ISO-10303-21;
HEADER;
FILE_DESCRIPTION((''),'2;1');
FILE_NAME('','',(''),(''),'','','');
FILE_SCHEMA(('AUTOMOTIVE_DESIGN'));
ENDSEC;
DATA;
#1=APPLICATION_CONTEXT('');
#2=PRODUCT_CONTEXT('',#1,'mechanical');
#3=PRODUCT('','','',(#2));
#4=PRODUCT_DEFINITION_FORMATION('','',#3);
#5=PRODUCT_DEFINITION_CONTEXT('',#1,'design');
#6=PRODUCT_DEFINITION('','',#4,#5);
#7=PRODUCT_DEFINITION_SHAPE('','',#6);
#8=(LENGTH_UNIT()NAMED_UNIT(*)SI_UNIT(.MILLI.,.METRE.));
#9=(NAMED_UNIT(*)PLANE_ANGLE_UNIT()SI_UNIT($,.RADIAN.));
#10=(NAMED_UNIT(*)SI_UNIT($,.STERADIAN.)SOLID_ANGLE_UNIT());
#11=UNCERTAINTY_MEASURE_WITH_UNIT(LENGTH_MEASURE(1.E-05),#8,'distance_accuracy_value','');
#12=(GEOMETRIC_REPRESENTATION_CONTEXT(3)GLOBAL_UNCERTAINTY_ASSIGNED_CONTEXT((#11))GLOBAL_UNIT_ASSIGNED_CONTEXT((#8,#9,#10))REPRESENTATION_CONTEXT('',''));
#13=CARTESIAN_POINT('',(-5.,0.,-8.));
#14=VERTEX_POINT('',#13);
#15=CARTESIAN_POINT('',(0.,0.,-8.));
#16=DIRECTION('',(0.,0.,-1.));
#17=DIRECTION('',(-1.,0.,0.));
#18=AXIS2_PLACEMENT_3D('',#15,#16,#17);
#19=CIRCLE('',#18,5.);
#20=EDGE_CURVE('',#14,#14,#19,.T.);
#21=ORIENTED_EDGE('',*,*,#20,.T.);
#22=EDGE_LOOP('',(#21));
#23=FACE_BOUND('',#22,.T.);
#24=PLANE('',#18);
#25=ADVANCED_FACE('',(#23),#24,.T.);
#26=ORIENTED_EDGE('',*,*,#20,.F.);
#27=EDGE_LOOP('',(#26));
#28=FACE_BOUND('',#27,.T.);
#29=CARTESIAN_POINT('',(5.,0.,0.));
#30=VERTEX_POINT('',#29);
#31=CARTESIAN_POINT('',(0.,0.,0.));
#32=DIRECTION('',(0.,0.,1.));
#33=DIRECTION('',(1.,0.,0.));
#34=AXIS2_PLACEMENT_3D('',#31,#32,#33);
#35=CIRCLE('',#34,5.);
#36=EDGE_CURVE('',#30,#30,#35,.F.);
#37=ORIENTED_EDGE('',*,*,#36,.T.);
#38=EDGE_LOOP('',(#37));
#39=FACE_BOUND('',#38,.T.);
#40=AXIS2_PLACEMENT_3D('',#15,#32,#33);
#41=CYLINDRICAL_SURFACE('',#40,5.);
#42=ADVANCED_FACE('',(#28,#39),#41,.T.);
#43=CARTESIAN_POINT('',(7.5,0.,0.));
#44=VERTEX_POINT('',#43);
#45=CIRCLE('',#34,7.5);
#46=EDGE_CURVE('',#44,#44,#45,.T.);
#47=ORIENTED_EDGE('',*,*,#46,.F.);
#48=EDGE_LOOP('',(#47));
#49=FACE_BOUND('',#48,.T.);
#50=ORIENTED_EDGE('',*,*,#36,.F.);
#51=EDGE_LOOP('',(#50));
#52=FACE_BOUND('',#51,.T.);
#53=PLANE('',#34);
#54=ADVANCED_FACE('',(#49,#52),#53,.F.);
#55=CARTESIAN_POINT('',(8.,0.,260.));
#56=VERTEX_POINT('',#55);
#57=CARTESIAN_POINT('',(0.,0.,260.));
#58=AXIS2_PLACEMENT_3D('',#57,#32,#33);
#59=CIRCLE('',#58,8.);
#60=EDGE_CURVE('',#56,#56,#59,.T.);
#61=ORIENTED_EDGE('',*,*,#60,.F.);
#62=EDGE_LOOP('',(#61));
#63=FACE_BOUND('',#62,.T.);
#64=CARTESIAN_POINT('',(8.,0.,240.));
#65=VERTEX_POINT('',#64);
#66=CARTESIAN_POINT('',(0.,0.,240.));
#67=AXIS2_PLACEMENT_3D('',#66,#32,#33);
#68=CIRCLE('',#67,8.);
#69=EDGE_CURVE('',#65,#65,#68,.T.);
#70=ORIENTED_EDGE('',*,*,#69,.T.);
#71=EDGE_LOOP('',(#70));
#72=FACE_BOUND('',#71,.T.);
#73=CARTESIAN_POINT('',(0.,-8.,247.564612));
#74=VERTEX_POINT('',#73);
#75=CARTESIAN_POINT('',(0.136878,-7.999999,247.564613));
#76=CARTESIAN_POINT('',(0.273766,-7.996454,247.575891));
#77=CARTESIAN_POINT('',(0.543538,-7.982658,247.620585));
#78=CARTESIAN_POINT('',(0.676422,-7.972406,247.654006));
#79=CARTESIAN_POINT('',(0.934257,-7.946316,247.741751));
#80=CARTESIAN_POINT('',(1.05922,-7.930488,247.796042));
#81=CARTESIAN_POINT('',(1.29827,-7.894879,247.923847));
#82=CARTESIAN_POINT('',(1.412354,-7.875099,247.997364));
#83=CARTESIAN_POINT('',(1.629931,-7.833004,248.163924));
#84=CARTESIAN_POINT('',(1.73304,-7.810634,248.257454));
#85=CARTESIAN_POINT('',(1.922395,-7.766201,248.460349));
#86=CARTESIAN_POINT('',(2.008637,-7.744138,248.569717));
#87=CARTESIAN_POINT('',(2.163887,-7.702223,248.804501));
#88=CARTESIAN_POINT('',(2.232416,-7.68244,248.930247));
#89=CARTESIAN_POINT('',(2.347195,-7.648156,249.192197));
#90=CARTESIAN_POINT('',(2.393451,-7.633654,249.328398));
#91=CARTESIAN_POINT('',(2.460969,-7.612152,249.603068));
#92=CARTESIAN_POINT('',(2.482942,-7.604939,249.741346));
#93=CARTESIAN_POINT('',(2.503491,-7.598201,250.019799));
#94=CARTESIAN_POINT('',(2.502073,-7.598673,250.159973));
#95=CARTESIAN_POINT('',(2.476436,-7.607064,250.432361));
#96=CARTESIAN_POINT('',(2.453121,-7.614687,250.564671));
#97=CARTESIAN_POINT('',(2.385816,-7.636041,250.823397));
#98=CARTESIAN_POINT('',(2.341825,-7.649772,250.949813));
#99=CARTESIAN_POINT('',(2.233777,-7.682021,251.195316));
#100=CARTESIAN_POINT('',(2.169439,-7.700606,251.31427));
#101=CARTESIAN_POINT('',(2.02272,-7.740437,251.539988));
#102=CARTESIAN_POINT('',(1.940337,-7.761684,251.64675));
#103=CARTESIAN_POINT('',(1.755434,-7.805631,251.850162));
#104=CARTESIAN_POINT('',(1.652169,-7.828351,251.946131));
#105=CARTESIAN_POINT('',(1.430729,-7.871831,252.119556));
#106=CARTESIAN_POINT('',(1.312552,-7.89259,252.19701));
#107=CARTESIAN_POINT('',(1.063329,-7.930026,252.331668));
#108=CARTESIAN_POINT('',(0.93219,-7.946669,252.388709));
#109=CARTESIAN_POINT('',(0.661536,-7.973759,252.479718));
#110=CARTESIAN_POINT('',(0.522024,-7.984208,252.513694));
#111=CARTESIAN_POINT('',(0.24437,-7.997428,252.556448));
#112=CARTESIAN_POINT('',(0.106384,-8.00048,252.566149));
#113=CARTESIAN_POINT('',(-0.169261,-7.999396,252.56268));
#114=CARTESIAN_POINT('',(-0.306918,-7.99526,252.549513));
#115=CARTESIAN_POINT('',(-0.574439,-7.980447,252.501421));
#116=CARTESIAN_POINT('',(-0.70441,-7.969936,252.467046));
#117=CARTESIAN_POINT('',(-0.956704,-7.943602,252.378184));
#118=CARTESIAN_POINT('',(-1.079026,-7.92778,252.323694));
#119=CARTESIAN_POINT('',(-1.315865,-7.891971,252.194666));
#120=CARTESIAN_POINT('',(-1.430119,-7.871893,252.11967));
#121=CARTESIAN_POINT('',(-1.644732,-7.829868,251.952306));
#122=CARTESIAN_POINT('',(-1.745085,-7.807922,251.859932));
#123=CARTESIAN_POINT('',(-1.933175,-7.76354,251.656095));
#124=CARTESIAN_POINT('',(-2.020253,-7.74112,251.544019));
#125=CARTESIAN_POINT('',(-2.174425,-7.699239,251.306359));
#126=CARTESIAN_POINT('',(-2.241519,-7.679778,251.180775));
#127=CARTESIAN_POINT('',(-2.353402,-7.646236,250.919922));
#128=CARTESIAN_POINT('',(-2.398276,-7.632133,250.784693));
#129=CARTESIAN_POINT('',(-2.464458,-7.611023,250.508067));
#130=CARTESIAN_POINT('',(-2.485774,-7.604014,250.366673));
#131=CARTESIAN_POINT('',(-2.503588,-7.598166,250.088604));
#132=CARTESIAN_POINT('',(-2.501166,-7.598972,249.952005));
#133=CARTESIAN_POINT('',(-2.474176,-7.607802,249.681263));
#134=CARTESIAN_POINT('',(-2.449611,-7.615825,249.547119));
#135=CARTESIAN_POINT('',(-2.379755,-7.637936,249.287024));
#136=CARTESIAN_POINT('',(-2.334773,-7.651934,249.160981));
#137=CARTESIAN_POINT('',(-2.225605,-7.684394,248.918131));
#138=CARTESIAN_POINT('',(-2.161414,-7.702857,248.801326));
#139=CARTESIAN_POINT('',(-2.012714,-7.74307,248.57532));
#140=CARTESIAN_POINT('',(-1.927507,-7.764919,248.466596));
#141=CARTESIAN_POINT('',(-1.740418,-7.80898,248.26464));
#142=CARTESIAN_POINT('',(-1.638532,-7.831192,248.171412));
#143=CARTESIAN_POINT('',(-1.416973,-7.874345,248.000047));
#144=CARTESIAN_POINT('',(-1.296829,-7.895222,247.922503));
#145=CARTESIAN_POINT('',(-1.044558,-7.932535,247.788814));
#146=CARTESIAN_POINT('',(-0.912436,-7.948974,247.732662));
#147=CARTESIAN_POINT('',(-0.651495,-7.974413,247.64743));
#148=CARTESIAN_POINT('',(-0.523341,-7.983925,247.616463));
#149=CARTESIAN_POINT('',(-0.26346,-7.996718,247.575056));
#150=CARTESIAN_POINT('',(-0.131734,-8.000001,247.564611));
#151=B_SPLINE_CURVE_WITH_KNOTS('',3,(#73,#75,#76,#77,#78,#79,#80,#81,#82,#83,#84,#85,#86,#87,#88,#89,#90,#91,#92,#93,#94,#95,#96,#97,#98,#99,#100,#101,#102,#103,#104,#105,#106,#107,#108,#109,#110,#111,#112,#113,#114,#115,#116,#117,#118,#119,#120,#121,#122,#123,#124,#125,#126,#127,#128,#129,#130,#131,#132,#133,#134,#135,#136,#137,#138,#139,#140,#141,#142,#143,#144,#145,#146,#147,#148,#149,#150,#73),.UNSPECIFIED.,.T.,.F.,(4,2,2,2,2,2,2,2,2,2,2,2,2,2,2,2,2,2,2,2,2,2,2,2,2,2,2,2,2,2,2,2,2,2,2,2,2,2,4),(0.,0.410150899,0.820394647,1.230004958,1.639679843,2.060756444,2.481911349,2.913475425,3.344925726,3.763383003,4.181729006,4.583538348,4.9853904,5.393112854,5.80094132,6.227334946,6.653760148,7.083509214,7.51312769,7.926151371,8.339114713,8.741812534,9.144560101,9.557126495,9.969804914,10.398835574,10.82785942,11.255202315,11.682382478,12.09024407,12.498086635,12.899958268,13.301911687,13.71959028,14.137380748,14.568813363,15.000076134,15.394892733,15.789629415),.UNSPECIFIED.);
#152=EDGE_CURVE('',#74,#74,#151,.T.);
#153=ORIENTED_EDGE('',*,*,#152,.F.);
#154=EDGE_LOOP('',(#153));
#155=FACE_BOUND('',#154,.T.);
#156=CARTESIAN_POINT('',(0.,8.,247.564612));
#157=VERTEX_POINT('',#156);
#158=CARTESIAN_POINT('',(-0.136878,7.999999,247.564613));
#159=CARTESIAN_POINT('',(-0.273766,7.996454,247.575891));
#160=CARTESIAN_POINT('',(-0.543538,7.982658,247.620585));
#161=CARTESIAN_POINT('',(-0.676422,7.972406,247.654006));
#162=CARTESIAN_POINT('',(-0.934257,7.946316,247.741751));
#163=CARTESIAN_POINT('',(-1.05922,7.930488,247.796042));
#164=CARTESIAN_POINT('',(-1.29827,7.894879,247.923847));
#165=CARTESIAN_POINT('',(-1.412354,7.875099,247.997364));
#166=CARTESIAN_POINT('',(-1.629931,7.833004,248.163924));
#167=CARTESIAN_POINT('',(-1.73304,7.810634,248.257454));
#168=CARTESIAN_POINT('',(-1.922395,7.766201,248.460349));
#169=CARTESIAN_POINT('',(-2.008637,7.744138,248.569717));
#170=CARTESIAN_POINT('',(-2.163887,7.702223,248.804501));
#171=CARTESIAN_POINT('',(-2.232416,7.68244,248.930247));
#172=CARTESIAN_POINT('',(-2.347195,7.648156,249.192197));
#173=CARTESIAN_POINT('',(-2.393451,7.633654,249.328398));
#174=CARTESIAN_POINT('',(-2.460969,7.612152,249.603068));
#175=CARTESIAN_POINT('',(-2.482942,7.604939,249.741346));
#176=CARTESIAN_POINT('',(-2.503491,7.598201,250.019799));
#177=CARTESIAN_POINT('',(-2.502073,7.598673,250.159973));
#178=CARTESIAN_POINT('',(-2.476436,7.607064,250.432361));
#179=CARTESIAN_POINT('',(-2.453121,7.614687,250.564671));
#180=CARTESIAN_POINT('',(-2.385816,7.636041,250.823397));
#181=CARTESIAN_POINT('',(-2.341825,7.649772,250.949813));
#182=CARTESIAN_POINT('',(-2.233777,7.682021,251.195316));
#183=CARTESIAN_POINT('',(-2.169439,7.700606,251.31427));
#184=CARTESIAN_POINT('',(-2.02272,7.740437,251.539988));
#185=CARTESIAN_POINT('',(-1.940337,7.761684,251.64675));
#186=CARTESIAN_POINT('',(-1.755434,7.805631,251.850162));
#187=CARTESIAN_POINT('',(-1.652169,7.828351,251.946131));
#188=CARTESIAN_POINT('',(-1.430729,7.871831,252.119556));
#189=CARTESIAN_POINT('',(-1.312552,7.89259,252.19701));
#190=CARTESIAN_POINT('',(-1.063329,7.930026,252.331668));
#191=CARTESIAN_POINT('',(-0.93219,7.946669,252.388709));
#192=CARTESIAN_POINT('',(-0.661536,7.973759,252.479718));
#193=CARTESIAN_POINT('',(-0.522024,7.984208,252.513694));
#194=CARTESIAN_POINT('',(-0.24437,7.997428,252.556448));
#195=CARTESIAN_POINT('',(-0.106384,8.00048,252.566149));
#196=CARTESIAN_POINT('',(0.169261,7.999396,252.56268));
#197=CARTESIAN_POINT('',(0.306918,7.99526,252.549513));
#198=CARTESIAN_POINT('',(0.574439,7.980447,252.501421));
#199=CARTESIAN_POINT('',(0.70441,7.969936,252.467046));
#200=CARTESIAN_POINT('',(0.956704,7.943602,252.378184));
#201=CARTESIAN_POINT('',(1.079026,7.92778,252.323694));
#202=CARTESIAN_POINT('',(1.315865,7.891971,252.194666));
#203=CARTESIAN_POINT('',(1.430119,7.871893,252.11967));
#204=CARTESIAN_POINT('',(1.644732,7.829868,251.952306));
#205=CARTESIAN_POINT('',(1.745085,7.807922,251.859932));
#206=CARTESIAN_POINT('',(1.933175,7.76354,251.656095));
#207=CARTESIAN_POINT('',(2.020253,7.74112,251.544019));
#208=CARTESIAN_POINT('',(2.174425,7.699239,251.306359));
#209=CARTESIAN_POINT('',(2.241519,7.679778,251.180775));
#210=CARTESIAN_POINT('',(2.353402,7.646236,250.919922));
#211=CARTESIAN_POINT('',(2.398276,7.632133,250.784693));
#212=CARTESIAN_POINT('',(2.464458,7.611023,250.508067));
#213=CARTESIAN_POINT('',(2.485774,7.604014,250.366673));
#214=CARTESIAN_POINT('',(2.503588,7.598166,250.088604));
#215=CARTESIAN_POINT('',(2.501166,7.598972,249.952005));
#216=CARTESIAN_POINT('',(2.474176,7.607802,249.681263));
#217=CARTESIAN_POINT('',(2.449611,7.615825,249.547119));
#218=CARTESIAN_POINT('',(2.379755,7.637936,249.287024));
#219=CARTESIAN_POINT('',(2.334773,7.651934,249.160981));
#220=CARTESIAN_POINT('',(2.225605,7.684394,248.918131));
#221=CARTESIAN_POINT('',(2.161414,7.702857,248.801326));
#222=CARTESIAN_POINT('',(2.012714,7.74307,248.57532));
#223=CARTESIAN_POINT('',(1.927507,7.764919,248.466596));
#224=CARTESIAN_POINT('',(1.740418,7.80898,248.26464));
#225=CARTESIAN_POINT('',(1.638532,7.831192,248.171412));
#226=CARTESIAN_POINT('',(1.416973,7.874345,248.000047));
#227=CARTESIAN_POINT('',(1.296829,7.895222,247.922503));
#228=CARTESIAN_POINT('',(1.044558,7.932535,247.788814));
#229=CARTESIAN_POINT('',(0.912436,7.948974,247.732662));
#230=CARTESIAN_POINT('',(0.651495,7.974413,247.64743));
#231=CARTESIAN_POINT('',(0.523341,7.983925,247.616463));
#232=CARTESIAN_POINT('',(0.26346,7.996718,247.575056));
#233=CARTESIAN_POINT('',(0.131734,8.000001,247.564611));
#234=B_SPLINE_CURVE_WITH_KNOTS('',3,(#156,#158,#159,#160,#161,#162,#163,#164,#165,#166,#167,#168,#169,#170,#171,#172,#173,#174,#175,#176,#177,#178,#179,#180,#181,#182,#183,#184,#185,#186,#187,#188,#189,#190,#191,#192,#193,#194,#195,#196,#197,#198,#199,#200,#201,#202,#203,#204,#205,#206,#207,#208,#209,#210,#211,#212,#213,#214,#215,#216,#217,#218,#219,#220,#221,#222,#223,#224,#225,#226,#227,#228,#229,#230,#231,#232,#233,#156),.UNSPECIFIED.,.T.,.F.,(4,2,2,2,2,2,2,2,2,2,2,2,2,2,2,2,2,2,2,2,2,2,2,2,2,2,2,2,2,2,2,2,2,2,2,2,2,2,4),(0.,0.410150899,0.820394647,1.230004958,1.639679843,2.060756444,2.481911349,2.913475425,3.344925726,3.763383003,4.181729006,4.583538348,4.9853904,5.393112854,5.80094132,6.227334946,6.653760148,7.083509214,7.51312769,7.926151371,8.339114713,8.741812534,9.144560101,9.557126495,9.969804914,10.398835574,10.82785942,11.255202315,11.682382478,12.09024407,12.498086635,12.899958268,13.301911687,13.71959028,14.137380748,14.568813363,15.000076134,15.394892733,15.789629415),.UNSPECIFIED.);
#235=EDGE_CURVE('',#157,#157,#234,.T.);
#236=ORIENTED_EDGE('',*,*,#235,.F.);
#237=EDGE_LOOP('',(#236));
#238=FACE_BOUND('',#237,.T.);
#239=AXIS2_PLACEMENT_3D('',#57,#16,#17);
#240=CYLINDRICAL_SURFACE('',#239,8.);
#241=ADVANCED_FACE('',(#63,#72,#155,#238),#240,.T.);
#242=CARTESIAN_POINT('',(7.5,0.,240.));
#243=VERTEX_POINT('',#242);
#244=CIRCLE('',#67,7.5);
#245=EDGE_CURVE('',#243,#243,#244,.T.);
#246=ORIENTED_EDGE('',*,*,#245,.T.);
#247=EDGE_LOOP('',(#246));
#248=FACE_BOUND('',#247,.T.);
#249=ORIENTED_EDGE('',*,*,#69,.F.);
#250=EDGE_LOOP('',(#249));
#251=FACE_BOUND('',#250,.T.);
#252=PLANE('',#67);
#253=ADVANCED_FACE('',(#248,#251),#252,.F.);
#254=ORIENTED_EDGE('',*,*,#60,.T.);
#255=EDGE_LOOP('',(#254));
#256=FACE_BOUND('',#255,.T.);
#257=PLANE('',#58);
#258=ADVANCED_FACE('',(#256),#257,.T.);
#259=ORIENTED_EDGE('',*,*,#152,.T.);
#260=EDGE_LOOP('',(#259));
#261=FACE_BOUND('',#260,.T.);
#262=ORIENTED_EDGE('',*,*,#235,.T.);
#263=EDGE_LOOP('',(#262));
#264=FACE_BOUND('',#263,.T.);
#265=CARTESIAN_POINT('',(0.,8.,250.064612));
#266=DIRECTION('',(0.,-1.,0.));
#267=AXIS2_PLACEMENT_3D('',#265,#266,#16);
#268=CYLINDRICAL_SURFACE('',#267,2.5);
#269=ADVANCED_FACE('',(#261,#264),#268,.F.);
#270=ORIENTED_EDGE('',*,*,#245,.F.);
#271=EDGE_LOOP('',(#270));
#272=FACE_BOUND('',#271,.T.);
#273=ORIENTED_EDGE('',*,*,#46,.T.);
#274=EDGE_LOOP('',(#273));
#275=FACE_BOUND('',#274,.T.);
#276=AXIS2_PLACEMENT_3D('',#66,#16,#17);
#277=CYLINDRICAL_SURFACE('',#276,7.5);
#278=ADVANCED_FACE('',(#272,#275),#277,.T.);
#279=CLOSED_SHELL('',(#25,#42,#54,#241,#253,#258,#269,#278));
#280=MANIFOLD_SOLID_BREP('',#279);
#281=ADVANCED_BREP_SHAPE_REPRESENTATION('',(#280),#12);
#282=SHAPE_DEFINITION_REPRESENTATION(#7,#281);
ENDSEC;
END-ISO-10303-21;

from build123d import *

# Parameters (mm, degrees)
SKETCH1_R               = 7.5
BOSS_EXTRUDE1_DEPTH     = 240
SKETCH5_R               = 8
BOSS_EXTRUDE2_DEPTH     = 20
SKETCH8_R               = 5
BOSS_EXTRUDE4_DEPTH     = 8
CUT_EXTRUDE3_DEPTH      = 8
CUT_EXTRUDE3_DEPTH_BACK = 8
SKETCH9_R               = 2.5


with BuildPart() as part:
    # Sketch1 → Boss-Extrude1 (new body)
    with BuildSketch(Plane.XY):
        Circle(SKETCH1_R)
    extrude(amount=BOSS_EXTRUDE1_DEPTH)

    # Sketch5 → Boss-Extrude2 (add)
    with BuildSketch(Plane.XY.offset(240)):
        Circle(SKETCH5_R)
    extrude(amount=BOSS_EXTRUDE2_DEPTH)

    # Sketch8 → Boss-Extrude4 (add)
    with BuildSketch(Plane(origin=(0, 0, 0), x_dir=(-1, 0, 0), z_dir=(0, 0, -1))):
        Circle(SKETCH8_R)
    extrude(amount=BOSS_EXTRUDE4_DEPTH)

    # Sketch9 → Cut-Extrude3 (cut, two sides: drawn at the far end of the back side and taken through both)
    with BuildSketch(Plane(origin=(0, 0, 0), x_dir=(1, 0, 0), z_dir=(0, 1, 0)).offset(-CUT_EXTRUDE3_DEPTH_BACK)):
        with Locations((0, -250.064612311)):
            Circle(SKETCH9_R)
    extrude(amount=CUT_EXTRUDE3_DEPTH + CUT_EXTRUDE3_DEPTH_BACK, mode=Mode.SUBTRACT)


solid = part.part
